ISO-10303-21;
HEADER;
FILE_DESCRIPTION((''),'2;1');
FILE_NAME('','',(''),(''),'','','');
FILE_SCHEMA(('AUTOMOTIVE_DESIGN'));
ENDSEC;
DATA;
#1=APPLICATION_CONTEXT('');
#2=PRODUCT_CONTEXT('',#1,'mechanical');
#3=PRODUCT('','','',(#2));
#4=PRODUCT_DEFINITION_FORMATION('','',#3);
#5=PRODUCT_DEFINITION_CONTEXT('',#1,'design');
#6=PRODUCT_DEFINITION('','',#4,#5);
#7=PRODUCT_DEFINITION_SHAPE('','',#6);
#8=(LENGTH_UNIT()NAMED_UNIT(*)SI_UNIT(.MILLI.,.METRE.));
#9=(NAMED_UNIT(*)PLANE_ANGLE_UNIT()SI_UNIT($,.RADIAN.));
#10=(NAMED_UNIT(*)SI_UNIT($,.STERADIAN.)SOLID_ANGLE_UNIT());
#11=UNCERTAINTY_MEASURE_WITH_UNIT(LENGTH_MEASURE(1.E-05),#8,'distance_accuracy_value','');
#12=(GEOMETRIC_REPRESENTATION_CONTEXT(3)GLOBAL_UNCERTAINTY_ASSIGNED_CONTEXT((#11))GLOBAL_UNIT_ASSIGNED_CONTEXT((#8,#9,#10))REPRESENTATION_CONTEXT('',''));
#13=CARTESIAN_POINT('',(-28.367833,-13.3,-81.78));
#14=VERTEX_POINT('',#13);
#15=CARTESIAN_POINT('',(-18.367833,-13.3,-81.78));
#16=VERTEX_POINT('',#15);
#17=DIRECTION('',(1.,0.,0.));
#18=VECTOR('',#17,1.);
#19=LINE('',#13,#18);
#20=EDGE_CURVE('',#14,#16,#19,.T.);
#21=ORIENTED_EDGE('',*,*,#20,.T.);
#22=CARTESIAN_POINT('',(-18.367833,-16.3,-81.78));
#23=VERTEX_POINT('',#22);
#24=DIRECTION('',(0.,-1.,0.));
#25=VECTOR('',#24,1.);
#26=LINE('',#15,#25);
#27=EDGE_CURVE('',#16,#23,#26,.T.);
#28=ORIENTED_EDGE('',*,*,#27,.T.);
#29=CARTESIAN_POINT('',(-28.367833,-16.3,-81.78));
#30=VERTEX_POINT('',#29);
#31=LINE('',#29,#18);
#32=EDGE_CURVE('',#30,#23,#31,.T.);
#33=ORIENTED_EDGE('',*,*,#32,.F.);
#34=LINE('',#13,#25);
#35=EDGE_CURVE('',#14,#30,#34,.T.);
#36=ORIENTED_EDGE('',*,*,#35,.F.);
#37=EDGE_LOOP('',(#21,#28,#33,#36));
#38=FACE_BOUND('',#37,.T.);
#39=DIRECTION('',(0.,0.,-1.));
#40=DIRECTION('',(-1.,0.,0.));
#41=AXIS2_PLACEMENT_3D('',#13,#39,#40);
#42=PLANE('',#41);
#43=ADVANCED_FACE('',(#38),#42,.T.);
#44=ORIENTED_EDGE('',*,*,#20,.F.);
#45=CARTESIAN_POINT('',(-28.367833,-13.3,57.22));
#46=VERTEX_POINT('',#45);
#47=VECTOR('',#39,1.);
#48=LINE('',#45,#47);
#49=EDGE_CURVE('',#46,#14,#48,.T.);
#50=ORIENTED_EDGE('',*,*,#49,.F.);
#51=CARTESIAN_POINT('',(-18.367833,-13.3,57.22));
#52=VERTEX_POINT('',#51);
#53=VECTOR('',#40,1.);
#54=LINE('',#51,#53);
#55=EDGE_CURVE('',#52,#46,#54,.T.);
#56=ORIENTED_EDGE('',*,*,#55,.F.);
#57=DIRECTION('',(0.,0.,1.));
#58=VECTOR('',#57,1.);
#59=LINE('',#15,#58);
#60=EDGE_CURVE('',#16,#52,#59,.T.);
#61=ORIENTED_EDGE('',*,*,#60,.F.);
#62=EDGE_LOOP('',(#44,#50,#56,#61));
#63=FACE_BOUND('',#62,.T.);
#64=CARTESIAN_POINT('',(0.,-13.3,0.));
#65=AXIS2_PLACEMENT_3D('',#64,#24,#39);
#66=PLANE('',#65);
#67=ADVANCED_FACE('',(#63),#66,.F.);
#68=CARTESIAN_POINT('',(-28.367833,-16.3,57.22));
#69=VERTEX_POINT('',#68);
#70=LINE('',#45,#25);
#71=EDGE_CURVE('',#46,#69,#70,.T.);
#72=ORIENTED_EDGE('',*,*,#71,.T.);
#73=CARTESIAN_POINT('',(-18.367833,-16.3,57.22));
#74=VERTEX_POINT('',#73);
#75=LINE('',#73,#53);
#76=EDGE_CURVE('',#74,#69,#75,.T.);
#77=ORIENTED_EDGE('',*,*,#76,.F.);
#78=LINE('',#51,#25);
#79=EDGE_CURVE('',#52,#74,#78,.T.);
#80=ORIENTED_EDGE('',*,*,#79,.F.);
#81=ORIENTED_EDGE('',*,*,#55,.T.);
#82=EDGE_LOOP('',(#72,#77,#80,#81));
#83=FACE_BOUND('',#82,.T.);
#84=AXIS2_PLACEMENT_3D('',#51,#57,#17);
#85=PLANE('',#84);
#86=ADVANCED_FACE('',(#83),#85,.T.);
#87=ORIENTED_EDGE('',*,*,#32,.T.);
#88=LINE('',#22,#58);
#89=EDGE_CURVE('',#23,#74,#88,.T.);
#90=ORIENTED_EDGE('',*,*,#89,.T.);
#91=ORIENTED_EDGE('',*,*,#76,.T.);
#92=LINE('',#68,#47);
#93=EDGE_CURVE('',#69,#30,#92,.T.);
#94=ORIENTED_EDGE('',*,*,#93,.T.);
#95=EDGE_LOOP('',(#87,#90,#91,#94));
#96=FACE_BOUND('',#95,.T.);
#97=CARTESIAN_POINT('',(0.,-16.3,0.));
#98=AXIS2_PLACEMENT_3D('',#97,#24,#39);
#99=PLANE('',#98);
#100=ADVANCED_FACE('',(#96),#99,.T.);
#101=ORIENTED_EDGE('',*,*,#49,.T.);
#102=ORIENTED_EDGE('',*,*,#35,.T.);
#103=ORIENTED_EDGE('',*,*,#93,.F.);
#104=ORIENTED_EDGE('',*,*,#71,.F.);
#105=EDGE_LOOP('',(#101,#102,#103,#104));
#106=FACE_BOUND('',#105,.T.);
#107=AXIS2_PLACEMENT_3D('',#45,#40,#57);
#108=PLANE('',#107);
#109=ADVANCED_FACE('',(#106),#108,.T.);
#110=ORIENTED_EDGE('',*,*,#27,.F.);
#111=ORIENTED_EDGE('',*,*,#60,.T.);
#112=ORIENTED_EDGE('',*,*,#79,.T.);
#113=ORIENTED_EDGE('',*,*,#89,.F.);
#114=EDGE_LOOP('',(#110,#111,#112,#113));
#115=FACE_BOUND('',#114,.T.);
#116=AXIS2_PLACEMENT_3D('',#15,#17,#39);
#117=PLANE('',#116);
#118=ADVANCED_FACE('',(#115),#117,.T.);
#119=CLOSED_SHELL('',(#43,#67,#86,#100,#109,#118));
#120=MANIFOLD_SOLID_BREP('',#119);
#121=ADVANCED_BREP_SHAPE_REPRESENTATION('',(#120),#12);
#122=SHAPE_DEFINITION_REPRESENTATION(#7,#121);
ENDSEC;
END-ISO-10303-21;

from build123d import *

# Parameters (mm, degrees)
SKETCH1_W           = 10
SKETCH1_H           = 139
BOSS_EXTRUDE1_DEPTH = 3


with BuildPart() as part:
    # Sketch1 → Boss-Extrude1 (new body)
    with BuildSketch(Plane.XZ.offset(16.3)):
        with Locations((-23.367832778, -12.28)):
            Rectangle(SKETCH1_W, SKETCH1_H)
    extrude(amount=-BOSS_EXTRUDE1_DEPTH)


solid = part.part
